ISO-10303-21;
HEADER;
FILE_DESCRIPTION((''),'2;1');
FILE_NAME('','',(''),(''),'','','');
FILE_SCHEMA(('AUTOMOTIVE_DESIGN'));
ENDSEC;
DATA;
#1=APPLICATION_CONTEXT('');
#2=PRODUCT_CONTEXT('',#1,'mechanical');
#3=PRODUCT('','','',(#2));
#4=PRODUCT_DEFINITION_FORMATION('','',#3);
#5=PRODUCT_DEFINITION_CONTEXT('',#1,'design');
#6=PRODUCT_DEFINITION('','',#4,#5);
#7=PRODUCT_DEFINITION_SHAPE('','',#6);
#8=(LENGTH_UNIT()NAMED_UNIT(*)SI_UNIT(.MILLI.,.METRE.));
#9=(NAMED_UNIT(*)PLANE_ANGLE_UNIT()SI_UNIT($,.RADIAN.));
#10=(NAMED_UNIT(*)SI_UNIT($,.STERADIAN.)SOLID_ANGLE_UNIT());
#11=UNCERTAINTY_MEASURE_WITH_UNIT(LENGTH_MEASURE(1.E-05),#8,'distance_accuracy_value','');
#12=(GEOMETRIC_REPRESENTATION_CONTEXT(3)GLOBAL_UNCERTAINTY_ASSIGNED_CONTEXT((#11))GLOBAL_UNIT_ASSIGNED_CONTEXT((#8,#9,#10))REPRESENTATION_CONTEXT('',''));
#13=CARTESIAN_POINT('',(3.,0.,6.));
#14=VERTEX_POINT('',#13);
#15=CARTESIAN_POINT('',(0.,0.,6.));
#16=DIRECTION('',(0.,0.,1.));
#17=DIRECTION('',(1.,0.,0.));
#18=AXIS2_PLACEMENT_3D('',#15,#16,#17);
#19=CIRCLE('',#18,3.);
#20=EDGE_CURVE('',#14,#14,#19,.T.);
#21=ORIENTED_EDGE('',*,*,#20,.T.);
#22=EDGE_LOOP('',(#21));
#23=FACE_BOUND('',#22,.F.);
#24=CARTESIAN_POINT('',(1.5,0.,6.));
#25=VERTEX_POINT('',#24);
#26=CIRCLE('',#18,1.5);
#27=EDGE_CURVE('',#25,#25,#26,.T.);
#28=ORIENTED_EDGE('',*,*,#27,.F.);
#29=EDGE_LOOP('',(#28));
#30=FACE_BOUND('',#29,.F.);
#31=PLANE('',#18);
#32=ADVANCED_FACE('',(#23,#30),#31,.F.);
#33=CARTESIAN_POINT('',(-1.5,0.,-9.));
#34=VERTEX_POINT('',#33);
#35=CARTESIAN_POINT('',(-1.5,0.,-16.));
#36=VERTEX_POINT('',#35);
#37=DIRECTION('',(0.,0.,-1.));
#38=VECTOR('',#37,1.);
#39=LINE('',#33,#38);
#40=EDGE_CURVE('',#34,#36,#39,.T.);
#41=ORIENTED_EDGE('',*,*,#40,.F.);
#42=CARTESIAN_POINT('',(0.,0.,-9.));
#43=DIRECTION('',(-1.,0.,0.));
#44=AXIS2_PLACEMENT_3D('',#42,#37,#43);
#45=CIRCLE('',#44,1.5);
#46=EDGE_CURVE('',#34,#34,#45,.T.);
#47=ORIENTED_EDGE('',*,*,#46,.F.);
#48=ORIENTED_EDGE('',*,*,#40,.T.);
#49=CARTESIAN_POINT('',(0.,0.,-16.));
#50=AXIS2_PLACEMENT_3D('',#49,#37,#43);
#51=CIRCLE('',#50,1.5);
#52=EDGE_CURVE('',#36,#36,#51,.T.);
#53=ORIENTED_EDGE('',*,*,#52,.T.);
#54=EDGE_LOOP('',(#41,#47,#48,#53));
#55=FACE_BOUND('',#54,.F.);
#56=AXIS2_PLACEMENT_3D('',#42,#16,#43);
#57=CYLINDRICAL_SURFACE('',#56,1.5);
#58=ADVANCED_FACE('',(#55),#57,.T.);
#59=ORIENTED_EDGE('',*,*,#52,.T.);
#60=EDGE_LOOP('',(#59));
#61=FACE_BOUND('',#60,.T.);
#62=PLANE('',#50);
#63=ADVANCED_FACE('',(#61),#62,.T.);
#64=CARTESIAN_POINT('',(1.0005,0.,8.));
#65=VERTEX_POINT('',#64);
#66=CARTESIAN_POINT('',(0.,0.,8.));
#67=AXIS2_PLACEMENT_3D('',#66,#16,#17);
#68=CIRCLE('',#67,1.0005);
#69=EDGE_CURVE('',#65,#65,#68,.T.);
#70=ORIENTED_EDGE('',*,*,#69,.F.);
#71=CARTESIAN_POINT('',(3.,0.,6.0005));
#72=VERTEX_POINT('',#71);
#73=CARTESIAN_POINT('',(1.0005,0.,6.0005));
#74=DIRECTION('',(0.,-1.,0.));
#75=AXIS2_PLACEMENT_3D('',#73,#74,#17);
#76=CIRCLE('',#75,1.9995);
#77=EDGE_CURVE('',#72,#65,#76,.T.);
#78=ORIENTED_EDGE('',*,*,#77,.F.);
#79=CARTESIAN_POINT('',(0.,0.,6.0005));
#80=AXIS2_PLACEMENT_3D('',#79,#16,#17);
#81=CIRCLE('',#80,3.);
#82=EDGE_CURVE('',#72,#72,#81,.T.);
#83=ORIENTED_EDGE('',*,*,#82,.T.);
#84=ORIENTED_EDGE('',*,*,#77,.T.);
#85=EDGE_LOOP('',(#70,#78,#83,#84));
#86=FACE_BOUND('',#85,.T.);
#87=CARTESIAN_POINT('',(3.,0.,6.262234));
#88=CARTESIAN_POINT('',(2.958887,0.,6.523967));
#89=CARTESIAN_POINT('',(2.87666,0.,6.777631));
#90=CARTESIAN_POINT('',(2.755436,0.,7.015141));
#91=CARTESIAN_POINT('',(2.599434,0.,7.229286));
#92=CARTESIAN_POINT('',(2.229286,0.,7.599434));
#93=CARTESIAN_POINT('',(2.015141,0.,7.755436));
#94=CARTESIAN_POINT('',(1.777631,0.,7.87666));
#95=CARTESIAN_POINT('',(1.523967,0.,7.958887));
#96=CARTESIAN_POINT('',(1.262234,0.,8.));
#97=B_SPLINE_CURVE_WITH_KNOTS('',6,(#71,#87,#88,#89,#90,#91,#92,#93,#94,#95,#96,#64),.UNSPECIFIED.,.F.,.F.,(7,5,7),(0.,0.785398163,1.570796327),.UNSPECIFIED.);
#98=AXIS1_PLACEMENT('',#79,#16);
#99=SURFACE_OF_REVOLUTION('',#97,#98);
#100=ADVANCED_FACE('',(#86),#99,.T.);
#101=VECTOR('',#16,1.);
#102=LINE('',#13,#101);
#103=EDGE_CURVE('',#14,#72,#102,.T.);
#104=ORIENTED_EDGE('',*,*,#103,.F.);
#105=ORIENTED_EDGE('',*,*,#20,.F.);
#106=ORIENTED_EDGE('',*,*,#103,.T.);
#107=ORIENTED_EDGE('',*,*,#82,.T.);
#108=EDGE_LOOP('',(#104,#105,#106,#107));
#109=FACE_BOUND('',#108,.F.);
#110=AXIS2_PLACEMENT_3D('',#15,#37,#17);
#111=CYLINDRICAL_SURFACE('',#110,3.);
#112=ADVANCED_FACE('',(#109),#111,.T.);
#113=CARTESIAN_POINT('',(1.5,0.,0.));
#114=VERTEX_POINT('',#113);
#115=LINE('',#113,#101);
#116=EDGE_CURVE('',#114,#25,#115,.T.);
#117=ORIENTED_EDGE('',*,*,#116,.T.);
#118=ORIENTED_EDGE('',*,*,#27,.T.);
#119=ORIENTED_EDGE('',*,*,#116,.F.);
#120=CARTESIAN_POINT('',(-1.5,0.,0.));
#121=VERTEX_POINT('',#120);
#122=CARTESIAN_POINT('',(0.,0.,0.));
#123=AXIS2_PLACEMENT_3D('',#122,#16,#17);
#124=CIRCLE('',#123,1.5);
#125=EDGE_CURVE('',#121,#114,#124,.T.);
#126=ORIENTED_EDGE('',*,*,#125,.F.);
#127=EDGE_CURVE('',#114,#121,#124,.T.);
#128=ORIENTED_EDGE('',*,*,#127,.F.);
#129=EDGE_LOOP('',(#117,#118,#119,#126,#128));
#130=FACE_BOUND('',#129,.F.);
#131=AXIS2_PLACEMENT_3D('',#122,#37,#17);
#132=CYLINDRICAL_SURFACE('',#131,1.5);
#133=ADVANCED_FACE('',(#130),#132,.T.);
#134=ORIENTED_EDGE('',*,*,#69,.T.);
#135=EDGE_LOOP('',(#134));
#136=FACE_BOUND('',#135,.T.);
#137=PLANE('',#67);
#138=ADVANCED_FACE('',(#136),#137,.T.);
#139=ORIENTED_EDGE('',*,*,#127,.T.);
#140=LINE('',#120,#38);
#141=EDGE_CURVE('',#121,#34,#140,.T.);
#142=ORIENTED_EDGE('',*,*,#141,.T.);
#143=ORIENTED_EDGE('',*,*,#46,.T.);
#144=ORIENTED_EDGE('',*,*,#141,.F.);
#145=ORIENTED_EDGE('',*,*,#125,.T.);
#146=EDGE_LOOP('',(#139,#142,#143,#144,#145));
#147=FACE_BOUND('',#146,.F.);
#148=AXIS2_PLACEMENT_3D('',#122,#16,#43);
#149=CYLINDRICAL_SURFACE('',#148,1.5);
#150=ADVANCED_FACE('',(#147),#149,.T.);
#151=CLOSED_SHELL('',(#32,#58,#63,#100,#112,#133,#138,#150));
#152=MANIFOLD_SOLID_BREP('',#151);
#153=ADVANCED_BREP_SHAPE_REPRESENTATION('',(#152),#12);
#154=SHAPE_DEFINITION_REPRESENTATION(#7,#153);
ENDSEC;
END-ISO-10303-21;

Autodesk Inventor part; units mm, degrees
ref_plane "YZ Plane" through (0, 0, 0) normal (1, 0, 0) x (0, 1, 0)
ref_plane "XZ Plane" through (0, 0, 0) normal (0, 1, 0) x (-1, 0, 0)
ref_plane "XY Plane" through (0, 0, 0) normal (0, 0, 1) x (1, 0, 0)
sketch "スケッチ1" plane through (0, 0, 0) normal (0, 0, 1) x (1, 0, 0)
  circle A0 centre (0, 0) radius 1.5
  dimension "d0" = 3
extrude "押し出し1" add sketch "スケッチ1" along normal blind 6
sketch "スケッチ2" plane through (0, 0, 6) normal (0, 0, 1) x (1, 0, 0)
  circle A0 centre (0, 0) radius 1.5 projected
  circle A1 centre (0, 0) radius 3
  dimension "d3" = 6
extrude "押し出し2" add sketch "スケッチ2" along normal blind 2 contours A0 | A1
fillet "フィレット1" radius 2 1 edges at (-3, 0, 8)
thread "ねじ1" size "M3x0.5" class "6g" standard "ANSI Metric M Profile" full length
sketch "スケッチ3" plane through (0, 0, 0) normal (0, 0, -1) x (-1, 0, 0)
  circle A0 centre (0, 0) radius 1.5 projected
extrude "押し出し3" add sketch "スケッチ3" along normal blind 9
sketch "スケッチ4" plane through (0, 0, -9) normal (0, 0, -1) x (-1, 0, 0)
  circle A0 centre (0, 0) radius 1.5 projected
extrude "押し出し4" add sketch "スケッチ4" along normal blind 7
properties part number "SB　22mmなべネジ" material "Steel, Mild"
